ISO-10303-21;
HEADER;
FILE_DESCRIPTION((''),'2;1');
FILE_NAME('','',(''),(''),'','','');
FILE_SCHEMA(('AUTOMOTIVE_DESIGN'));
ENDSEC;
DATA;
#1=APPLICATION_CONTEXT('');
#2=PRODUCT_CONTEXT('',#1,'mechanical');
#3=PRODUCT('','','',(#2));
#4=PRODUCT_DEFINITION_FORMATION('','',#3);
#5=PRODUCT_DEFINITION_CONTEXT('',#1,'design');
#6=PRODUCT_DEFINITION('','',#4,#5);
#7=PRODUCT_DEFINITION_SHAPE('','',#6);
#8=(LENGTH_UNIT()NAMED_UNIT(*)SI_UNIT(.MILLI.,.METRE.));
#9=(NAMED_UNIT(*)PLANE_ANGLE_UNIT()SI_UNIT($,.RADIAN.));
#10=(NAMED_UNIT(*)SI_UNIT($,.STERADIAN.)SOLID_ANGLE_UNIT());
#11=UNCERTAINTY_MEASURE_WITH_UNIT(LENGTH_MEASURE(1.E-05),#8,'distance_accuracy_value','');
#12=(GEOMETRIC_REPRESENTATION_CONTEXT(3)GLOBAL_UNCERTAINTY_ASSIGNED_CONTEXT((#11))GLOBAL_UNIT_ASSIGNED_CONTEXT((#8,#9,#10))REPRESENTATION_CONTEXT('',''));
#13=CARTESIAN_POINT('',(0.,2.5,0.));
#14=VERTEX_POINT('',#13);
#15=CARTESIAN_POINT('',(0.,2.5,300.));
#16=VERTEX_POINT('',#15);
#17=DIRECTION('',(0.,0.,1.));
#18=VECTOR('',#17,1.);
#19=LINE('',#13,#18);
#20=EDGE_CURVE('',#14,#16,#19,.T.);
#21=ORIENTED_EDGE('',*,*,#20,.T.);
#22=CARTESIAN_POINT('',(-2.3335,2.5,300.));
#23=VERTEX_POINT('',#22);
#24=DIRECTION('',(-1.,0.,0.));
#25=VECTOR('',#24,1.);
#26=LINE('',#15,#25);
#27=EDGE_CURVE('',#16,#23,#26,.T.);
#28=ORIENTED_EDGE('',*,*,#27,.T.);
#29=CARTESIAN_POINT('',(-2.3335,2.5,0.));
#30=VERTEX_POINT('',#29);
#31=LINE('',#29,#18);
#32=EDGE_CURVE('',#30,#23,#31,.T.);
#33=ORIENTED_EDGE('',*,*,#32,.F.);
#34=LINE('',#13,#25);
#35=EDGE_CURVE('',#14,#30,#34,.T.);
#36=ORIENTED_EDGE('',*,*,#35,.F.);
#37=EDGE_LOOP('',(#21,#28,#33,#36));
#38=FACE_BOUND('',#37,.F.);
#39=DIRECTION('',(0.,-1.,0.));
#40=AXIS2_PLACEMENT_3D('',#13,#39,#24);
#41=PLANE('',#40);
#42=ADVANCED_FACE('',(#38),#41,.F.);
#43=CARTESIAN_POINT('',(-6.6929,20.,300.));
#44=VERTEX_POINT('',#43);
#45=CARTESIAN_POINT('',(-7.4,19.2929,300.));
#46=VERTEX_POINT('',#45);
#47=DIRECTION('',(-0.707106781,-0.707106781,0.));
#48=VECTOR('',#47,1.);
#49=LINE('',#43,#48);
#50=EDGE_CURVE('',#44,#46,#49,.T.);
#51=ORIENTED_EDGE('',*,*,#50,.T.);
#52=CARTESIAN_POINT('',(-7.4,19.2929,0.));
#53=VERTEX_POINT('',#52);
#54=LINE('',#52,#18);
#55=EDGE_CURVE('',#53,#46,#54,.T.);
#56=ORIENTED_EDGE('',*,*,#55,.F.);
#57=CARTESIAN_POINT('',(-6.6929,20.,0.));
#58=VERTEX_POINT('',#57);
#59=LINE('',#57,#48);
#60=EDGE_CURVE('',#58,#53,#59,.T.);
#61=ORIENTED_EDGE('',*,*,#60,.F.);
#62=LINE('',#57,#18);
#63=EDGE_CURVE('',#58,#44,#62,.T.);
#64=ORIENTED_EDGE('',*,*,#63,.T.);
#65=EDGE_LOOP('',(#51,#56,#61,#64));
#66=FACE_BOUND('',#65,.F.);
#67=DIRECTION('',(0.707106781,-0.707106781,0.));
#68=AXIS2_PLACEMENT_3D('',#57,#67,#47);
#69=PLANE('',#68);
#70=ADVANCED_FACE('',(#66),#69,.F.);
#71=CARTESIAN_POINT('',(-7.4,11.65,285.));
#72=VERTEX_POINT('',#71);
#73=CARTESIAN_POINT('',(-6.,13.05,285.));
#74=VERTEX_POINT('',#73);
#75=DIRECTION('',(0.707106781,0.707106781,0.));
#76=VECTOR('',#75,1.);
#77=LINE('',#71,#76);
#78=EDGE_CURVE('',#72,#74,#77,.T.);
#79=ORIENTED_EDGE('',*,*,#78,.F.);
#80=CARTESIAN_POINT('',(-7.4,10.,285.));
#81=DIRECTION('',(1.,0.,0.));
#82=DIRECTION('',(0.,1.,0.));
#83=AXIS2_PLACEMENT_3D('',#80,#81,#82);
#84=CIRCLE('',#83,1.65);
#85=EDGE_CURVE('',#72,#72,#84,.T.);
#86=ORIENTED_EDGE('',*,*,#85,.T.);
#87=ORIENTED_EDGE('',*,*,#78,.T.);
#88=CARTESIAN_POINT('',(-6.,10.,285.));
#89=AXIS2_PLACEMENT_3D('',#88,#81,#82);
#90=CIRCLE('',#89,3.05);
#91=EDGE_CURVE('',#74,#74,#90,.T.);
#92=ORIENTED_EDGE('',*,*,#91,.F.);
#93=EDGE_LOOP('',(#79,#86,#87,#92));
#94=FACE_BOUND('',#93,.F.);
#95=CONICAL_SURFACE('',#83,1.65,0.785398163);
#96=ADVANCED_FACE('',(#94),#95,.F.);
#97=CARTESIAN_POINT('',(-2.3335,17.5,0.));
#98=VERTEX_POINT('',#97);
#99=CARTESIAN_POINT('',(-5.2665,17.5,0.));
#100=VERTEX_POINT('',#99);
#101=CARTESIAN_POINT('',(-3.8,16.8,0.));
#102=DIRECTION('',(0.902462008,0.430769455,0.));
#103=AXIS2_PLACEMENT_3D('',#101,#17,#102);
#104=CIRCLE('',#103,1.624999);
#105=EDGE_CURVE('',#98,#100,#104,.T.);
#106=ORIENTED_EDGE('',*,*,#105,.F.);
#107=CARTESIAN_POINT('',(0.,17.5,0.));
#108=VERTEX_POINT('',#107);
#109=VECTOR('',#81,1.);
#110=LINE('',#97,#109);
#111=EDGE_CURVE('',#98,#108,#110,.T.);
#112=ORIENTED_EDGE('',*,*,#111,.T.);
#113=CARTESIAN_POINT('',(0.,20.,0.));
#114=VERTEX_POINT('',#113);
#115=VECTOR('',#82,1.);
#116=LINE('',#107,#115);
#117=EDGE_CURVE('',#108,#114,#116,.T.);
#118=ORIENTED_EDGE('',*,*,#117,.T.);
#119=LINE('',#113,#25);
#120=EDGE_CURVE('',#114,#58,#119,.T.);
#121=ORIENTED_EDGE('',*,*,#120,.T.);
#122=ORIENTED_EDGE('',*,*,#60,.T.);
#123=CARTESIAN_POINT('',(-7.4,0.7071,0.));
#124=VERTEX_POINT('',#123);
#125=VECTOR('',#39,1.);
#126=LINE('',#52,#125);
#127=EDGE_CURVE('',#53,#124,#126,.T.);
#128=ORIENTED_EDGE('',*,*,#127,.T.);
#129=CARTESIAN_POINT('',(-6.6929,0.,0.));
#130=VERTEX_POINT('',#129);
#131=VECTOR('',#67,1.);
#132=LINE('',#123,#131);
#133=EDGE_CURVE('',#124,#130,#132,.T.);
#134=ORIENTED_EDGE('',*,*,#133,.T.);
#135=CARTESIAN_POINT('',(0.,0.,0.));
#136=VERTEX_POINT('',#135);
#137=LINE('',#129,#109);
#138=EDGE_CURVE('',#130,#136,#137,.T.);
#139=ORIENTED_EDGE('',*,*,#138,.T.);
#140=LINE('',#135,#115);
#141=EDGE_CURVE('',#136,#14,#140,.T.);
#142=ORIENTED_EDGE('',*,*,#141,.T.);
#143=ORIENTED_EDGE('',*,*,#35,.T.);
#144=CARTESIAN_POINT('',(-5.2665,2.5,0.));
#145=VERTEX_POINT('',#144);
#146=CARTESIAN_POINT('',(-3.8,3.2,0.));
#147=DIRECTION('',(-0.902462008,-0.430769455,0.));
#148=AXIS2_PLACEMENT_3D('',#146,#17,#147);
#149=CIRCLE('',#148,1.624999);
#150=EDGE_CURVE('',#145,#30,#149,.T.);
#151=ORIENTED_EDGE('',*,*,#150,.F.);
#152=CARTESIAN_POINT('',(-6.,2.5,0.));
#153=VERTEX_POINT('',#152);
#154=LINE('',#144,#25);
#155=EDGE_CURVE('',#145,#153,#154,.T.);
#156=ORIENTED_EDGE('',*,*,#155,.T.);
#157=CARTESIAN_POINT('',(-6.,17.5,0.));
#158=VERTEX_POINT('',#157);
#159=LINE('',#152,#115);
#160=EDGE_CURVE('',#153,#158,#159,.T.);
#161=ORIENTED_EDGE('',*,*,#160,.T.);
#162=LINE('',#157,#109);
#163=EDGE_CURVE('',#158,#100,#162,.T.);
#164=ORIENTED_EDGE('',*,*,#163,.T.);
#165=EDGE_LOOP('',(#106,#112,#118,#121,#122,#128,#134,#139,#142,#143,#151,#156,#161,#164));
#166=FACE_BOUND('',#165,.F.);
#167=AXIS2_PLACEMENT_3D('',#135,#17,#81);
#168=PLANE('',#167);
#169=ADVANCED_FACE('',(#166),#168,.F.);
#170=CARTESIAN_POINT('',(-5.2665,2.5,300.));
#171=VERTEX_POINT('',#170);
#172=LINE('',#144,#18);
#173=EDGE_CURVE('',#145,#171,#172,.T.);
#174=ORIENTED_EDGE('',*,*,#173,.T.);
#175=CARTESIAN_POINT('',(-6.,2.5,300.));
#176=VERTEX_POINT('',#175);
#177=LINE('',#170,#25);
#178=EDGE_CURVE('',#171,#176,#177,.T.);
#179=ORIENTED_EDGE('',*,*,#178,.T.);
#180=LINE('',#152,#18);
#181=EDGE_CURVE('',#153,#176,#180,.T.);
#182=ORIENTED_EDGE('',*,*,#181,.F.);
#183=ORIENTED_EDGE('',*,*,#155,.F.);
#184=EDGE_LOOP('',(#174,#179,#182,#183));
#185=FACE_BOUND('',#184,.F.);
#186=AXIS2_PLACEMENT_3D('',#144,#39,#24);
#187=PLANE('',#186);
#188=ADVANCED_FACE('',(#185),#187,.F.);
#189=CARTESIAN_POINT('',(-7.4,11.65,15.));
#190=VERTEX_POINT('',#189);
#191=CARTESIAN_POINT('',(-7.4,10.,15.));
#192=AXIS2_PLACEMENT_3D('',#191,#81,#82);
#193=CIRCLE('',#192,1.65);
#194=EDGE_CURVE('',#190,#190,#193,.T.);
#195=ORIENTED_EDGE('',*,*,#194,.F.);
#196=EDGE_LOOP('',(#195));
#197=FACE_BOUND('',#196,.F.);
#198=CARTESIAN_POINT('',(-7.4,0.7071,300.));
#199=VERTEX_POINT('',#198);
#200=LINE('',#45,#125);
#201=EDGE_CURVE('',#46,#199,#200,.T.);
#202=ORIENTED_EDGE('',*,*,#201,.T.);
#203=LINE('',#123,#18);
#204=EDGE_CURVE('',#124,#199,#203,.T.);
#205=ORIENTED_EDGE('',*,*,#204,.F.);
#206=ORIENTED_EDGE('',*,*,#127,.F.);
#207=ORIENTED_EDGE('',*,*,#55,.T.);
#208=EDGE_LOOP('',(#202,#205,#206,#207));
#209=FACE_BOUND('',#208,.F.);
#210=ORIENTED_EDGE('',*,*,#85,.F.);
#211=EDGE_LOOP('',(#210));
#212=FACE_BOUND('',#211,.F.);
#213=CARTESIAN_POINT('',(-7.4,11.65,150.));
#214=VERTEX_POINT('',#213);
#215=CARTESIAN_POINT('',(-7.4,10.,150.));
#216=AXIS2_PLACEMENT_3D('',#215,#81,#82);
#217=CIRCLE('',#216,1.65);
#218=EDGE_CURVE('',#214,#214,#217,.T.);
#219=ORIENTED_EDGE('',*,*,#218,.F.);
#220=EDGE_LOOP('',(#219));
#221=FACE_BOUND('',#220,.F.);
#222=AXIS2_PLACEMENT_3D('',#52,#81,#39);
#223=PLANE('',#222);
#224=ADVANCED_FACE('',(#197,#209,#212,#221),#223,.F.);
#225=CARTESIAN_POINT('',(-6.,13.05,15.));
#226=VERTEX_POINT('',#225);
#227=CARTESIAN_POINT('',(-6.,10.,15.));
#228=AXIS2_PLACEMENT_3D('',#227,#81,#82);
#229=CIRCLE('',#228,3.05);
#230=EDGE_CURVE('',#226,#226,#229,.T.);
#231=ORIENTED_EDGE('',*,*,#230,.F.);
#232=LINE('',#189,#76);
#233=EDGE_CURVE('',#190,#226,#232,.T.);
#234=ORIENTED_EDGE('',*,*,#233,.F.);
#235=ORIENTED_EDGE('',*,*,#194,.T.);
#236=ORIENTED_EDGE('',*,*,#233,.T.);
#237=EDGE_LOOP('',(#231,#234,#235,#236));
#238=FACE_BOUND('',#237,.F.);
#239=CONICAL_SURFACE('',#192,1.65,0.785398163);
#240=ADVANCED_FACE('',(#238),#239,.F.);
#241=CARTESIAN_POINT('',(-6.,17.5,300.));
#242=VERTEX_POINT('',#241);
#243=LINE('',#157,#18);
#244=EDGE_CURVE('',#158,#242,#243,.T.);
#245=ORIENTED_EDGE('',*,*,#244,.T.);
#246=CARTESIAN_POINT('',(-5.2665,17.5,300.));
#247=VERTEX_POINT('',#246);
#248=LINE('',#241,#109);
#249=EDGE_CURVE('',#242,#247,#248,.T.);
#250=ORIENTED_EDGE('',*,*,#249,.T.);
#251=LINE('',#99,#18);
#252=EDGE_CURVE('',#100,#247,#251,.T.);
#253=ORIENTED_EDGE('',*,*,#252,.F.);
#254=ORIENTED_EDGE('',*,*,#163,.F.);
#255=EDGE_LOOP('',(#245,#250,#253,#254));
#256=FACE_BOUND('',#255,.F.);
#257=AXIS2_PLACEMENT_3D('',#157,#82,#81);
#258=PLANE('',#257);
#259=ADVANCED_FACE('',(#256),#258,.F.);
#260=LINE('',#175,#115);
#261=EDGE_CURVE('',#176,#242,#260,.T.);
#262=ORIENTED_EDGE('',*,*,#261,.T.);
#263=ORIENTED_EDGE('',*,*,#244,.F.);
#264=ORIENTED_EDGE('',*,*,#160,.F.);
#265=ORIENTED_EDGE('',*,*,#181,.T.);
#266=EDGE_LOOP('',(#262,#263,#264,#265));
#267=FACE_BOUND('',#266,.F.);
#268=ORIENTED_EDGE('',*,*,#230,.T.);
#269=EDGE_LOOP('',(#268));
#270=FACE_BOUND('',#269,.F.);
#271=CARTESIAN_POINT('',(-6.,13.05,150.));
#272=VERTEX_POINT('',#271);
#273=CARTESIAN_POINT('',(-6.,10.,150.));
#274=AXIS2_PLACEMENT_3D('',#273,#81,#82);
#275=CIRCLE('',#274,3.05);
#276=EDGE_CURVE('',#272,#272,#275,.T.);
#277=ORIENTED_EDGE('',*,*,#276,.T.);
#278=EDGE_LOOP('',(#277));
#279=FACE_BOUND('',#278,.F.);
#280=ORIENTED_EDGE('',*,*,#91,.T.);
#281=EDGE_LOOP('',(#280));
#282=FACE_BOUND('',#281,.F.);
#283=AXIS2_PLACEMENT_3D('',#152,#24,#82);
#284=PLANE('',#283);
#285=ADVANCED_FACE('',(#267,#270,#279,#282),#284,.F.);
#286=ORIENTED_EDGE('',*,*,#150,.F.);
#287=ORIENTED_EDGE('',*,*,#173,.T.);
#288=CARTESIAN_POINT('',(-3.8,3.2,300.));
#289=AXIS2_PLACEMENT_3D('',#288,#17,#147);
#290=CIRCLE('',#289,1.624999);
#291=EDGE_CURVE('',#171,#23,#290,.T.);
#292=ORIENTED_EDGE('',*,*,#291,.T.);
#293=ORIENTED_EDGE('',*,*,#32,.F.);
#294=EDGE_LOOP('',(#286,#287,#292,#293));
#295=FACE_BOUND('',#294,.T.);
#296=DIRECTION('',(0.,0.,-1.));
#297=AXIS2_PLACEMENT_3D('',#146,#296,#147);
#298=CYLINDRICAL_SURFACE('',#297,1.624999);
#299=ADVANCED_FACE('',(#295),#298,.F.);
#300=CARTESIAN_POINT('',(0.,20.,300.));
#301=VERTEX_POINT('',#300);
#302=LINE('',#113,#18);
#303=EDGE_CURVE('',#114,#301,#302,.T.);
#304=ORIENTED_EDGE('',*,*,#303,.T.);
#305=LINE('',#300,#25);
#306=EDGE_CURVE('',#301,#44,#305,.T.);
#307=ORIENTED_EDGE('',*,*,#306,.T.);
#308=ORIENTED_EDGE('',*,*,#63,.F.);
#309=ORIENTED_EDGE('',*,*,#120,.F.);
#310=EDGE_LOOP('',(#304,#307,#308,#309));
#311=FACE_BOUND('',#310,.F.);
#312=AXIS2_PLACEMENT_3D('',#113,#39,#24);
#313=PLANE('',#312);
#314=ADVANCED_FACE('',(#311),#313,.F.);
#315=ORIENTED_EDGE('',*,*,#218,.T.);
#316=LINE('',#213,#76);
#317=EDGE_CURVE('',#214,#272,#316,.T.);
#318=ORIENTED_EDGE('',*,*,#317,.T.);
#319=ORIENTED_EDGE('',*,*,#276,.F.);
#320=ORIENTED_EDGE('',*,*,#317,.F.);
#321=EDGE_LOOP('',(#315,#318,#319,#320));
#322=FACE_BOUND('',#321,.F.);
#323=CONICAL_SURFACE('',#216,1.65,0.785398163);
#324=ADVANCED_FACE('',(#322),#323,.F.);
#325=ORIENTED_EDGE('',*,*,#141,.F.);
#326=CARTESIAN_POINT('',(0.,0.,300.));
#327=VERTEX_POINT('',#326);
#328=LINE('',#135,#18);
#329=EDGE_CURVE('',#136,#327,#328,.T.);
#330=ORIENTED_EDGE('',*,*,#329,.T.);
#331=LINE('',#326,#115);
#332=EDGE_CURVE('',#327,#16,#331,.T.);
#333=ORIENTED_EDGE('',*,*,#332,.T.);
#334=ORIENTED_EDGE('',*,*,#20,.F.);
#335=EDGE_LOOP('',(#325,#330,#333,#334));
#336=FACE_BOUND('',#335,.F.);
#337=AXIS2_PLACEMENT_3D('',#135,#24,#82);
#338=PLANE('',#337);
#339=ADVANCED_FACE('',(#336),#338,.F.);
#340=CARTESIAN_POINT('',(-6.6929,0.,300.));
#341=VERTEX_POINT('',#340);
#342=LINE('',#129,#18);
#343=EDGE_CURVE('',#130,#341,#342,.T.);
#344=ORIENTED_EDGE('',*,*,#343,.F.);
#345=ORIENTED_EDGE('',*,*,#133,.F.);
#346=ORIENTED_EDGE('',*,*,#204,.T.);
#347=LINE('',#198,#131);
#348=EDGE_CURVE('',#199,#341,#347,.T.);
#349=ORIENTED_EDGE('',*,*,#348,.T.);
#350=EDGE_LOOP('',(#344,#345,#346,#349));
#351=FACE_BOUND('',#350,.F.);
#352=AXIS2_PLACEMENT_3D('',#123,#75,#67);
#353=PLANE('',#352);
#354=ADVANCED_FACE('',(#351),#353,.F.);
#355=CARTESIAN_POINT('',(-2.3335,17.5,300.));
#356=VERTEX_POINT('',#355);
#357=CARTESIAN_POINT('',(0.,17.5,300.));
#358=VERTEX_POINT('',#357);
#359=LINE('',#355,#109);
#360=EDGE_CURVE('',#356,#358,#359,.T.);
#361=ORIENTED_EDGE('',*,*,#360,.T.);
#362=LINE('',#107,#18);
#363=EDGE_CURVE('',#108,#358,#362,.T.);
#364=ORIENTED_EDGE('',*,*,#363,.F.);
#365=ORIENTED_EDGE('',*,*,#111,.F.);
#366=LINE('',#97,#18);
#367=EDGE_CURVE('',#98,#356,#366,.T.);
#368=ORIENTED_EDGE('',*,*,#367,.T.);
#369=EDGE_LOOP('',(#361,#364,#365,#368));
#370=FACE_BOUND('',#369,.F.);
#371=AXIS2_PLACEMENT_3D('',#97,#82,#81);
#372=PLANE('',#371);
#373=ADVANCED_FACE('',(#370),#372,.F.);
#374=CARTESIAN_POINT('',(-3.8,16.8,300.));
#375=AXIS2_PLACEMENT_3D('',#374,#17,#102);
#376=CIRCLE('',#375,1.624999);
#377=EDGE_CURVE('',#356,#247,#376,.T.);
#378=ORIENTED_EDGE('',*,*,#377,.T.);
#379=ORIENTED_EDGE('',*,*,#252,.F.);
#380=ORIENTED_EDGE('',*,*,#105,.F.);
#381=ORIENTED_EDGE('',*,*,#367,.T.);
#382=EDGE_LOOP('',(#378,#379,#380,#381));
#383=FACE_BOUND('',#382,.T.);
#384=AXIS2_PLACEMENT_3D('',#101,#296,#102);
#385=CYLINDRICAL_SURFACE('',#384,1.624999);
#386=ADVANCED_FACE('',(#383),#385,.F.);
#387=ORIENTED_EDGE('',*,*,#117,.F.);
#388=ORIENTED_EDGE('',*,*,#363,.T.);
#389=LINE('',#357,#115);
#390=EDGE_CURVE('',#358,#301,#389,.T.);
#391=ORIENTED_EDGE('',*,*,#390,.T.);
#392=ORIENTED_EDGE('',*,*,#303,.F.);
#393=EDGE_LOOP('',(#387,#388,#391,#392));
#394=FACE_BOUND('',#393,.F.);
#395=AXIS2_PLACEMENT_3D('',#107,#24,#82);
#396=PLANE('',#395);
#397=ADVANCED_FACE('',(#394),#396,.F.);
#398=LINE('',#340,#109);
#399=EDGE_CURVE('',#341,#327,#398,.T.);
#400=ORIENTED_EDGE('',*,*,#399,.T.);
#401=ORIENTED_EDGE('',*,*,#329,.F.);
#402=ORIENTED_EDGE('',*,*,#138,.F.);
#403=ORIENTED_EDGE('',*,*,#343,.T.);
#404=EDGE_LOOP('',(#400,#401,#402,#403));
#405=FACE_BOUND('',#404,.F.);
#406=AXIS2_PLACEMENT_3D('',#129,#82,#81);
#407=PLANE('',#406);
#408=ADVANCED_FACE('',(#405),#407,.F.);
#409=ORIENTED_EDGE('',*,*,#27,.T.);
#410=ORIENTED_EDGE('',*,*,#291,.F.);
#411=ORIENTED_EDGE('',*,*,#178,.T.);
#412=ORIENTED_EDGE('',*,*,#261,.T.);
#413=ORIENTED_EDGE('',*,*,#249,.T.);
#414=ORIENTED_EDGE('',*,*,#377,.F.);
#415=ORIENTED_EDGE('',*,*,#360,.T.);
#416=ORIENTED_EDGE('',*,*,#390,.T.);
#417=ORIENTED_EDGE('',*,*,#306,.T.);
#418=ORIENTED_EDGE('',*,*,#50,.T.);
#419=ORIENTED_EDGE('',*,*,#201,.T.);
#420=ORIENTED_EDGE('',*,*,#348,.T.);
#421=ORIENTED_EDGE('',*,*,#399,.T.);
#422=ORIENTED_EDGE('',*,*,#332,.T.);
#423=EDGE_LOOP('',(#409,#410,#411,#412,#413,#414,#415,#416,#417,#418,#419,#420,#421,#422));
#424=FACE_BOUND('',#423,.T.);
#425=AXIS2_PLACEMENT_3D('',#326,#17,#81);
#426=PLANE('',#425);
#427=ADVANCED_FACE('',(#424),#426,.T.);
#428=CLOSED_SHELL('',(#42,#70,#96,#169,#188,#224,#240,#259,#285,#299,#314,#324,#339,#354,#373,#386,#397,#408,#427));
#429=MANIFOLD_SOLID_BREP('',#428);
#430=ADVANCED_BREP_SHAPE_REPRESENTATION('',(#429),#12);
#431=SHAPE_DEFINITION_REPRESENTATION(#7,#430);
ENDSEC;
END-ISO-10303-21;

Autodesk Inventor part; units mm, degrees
sketch "Sketch_1" plane through (0, 0, 0) normal (0, 0, 1) x (1, 0, 0)
  line L0 (-7.4, 0.7071) -> (-6.6929, 0)
  line L1 (-6.6929, 0) -> (0, 0)
  line L2 (0, 0) -> (0, 2.5)
  line L3 (0, 2.5) -> (-2.3335, 2.5)
  arc A0 (-5.2665, 2.5) -> (-2.3335, 2.5) centre (-3.8, 3.2) ccw
  line L4 (-5.2665, 2.5) -> (-6, 2.5)
  line L5 (-6, 2.5) -> (-6, 17.5)
  line L6 (-6, 17.5) -> (-5.2665, 17.5)
  arc A1 (-2.3335, 17.5) -> (-5.2665, 17.5) centre (-3.8, 16.8) ccw
  line L7 (-2.3335, 17.5) -> (0, 17.5)
  line L8 (0, 17.5) -> (0, 20)
  line L9 (0, 20) -> (-6.6929, 20)
  line L10 (-6.6929, 20) -> (-7.4, 19.2929)
  line L11 (-7.4, 19.2929) -> (-7.4, 0.7071)
extrude "Extrusion1" add sketch "Sketch_1" along normal blind 300
sketch "Sketch_2" plane through (0, 0, 15) normal (0, 0, 1) x (1, 0, 0)
  line L0 (-6, 10) -> (-7.4, 10)
  line L1 (-7.4, 10) -> (-7.4, 11.65)
  line L2 (-7.4, 11.65) -> (-6, 13.05)
  line L3 (-6, 13.05) -> (-6, 10)
  line L4 (-6, 10) -> (-7.4, 10)
revolve "Revolution1" cut sketch "Sketch_2" angle 360 about axis through (-6, 10, 15) along (1, 0, 0)
pattern_linear "Rectangular Pattern1" count 3 spacing 135 along (0, 0, 1) of "Revolution1"
ref_plane "to_ball_XY" through (-3.8, 3.25, 111) normal (0, 0, 1) x (1, 0, 0)
ref_plane "to_ball_YZ" through (-3.8, 3.25, 111) normal (1, 0, 0) x (0, 1, 0)
ref_plane "to_ball_ZX" through (-3.8, 3.25, 111) normal (0, 1, 0) x (0, 0, 1)
ref_plane "to_ball1_XY" through (-3.8, 16.75, 111) normal (0, 0, 1) x (1, 0, 0)
ref_plane "to_ball1_YZ" through (-3.8, 16.75, 111) normal (1, 0, 0) x (0, 1, 0)
ref_plane "to_ball1_ZX" through (-3.8, 16.75, 111) normal (0, 1, 0) x (0, 0, 1)
ref_plane "to_rail_XY" through (0.6, 10, 150) normal (0, 0, 1) x (1, 0, 0)
ref_plane "to_rail_YZ" through (0.6, 10, 150) normal (1, 0, 0) x (0, 1, 0)
ref_plane "to_rail_ZX" through (0.6, 10, 150) normal (0, 1, 0) x (0, 0, 1)
properties part number "SAR330-30_b" material "Aluminum 6061"
